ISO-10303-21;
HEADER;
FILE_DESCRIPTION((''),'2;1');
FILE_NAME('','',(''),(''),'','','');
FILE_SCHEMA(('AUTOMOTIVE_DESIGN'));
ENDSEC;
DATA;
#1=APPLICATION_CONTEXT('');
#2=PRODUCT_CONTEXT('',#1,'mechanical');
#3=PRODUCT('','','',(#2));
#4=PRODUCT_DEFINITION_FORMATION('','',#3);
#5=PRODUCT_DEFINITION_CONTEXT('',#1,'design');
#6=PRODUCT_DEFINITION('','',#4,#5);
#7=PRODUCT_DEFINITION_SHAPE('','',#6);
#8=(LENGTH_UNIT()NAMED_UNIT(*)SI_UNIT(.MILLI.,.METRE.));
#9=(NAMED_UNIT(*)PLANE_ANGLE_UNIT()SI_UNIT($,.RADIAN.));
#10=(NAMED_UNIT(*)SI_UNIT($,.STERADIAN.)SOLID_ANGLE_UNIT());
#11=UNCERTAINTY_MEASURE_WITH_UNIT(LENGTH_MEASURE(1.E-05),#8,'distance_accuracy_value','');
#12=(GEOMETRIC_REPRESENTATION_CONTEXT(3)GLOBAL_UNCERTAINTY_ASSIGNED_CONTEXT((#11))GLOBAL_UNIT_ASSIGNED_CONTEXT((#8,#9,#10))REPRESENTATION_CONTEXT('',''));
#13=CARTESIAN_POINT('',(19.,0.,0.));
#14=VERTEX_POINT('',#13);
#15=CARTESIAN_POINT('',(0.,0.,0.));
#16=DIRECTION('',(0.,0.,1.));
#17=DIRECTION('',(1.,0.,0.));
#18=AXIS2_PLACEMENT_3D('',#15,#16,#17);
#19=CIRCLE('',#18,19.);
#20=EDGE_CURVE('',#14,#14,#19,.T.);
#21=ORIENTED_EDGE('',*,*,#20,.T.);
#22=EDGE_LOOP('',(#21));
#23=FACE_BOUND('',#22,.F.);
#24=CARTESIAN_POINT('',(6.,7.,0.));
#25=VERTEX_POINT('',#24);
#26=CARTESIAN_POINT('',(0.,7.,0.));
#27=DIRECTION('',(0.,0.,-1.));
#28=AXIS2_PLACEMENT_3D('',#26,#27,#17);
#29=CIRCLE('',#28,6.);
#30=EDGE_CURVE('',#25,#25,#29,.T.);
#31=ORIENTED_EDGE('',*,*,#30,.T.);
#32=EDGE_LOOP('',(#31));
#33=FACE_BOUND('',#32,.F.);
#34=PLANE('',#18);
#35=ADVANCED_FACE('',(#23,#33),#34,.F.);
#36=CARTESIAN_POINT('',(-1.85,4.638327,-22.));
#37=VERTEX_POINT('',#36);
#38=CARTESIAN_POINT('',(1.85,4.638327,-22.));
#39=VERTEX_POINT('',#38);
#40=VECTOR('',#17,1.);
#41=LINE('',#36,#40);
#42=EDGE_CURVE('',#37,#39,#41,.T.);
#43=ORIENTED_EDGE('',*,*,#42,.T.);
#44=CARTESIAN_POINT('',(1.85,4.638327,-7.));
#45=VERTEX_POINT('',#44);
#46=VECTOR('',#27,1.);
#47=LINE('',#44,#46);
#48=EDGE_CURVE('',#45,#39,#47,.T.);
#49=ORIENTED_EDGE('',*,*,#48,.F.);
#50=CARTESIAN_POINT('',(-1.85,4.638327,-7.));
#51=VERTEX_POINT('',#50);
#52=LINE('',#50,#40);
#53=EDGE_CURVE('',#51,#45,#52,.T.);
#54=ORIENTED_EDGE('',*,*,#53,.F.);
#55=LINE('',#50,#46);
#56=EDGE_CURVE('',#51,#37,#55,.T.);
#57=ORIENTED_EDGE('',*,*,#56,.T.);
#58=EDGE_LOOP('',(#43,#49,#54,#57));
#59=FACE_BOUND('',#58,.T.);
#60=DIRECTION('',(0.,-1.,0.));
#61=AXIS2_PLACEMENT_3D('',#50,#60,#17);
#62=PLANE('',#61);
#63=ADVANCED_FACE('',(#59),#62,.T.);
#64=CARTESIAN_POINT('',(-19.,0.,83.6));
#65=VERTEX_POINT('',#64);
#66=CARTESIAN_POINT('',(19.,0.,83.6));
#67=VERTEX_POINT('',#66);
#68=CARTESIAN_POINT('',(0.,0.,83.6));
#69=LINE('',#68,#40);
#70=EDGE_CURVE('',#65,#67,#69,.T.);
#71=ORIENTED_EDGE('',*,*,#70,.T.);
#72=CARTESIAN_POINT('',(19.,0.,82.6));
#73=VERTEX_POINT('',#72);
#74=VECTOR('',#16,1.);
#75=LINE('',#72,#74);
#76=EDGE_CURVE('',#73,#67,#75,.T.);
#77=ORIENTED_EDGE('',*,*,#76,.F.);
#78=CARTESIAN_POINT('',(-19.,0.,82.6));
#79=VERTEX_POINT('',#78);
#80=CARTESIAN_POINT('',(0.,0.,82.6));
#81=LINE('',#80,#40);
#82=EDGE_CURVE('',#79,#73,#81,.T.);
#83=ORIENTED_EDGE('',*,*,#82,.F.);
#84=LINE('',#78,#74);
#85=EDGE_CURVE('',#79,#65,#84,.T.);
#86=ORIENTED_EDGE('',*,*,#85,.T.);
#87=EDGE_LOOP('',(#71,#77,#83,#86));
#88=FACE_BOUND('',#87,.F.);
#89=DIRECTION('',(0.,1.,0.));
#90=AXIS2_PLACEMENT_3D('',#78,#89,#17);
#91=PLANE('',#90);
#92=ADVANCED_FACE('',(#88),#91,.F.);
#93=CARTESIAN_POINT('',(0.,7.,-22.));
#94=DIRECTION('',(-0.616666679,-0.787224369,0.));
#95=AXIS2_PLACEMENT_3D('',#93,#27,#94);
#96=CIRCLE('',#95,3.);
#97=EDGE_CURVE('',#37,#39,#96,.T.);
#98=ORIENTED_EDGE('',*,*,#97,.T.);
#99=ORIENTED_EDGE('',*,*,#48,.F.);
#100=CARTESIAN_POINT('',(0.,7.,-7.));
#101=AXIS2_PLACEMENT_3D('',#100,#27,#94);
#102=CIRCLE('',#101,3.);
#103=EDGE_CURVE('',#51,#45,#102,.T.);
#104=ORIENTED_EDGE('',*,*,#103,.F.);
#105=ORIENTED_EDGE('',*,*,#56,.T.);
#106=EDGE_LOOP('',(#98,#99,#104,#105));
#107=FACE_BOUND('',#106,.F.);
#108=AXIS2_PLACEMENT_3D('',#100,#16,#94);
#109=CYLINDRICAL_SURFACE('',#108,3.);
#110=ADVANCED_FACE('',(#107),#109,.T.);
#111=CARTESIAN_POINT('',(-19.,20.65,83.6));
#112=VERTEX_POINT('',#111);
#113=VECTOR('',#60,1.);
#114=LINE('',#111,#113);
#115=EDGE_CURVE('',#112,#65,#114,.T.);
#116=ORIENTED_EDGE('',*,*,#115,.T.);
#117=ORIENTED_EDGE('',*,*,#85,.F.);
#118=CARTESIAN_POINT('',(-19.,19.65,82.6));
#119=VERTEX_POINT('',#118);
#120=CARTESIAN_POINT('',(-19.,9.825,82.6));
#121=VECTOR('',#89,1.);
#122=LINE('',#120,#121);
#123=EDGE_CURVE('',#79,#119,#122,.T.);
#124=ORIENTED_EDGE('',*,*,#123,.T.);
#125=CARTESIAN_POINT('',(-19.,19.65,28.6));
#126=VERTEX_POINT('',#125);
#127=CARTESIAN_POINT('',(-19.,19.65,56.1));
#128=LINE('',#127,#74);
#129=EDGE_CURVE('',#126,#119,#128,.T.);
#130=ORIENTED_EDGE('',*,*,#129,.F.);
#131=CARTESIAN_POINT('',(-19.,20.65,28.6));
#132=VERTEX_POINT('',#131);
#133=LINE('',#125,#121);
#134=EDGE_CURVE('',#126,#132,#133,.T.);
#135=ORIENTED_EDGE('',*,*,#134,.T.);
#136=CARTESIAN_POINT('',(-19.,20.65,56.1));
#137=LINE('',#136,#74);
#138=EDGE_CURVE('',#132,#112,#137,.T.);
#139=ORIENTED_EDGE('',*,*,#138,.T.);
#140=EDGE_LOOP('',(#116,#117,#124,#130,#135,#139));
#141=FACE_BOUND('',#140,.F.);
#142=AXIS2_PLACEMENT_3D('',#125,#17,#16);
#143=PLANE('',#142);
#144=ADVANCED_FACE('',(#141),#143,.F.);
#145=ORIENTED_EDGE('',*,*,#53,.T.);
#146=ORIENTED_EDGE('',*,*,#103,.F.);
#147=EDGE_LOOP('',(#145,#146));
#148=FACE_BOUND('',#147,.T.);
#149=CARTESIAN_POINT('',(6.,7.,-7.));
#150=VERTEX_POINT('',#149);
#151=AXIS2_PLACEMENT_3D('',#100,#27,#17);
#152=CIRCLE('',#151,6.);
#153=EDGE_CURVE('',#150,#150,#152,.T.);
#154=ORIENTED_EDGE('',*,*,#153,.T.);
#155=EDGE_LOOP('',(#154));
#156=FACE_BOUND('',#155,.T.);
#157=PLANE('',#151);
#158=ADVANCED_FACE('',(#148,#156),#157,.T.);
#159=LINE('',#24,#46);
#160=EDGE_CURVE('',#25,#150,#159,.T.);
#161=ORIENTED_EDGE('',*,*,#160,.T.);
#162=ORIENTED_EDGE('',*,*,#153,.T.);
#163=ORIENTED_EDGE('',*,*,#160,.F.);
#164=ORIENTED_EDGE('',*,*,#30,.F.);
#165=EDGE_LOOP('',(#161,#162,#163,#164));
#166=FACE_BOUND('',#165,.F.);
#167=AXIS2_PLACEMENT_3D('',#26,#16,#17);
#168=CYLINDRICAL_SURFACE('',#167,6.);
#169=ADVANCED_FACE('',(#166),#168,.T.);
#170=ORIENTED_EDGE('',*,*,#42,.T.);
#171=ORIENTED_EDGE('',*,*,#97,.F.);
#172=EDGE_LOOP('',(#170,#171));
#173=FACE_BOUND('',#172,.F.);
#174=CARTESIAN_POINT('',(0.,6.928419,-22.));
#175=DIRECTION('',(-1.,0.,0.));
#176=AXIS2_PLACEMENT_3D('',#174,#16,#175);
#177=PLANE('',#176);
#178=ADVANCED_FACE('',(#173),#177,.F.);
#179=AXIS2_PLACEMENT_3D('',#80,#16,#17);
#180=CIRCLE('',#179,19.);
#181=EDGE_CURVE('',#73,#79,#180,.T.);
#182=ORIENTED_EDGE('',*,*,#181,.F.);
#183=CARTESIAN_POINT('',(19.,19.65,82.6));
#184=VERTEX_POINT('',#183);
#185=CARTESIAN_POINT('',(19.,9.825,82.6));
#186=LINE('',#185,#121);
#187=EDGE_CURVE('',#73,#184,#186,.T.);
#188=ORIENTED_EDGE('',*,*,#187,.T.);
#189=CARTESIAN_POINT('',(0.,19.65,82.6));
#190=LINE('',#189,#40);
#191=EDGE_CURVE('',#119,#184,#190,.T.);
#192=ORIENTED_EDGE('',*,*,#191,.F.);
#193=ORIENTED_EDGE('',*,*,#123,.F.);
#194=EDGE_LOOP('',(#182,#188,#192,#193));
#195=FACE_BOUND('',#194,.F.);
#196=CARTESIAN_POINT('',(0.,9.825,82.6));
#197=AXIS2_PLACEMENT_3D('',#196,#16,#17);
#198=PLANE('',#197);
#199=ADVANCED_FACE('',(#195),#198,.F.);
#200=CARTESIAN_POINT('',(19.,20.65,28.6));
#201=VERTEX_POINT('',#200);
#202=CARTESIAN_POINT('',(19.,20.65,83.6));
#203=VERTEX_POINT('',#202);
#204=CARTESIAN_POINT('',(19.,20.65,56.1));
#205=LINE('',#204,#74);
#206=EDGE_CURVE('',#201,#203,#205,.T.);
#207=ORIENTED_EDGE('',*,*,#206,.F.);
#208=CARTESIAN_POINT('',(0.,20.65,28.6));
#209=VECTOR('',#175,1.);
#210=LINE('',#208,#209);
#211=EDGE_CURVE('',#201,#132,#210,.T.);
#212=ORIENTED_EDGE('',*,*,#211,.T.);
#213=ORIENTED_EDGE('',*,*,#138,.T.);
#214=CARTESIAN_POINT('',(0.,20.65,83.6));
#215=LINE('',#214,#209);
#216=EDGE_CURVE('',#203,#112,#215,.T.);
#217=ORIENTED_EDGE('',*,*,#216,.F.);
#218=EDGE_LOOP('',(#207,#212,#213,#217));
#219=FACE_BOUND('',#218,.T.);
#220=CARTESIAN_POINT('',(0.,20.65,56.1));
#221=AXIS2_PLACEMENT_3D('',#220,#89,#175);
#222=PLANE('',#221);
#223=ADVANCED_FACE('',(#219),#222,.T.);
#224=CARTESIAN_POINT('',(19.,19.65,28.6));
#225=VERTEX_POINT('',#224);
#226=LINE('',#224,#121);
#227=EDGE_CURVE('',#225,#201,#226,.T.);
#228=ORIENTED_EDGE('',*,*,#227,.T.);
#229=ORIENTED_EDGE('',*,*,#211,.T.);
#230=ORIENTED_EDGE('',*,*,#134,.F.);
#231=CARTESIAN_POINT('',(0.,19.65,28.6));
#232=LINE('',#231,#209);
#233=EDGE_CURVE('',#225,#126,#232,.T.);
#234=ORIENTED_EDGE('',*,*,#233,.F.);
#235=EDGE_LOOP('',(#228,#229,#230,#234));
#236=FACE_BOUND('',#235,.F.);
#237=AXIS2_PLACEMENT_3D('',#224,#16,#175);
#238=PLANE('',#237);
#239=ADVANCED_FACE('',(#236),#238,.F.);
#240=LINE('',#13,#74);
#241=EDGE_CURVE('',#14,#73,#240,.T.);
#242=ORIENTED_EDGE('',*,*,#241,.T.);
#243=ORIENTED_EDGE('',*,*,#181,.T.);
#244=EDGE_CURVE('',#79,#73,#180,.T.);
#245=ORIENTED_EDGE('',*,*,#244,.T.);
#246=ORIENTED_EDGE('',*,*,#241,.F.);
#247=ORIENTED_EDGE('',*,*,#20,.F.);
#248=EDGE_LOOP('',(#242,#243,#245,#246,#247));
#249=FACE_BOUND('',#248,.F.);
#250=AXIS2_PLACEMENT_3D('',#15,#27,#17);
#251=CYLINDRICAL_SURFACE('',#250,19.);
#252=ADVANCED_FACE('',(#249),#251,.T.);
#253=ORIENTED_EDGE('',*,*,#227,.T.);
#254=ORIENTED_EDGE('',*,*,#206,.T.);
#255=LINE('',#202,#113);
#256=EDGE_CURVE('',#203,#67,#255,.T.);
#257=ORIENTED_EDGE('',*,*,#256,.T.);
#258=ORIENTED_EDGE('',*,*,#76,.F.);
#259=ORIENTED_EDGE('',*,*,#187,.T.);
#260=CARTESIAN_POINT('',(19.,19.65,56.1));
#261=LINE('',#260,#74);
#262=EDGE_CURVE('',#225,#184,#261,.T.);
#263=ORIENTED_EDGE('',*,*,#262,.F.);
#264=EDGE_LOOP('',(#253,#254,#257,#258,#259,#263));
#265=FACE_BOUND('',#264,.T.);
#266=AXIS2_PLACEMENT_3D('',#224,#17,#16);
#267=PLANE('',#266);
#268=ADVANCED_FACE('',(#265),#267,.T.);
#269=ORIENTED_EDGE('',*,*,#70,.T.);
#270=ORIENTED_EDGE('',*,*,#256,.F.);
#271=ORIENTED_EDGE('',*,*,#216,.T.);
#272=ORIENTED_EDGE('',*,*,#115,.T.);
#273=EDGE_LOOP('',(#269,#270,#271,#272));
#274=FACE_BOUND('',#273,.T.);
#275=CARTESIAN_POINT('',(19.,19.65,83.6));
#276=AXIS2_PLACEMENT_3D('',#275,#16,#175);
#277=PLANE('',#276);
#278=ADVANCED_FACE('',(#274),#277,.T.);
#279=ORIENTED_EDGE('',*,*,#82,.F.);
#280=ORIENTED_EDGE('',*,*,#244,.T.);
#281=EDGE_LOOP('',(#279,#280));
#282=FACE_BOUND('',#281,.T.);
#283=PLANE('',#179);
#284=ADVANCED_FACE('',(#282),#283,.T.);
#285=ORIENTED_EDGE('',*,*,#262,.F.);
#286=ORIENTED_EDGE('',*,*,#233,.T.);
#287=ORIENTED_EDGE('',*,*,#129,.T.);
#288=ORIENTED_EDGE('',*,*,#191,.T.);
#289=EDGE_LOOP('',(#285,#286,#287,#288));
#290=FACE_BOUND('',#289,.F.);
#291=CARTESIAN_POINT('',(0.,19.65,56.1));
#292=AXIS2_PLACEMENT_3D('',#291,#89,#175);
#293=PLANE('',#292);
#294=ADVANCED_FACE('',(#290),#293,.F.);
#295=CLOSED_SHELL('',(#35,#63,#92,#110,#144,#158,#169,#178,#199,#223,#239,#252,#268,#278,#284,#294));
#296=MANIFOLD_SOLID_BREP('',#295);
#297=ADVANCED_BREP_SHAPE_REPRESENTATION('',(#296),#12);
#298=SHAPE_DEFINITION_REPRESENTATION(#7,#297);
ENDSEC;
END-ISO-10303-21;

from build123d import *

# Parameters (mm, degrees)
SKETCH_R     = 19
PAD_DEPTH    = 82.6
SKETCH001_R  = 6
PAD001_DEPTH = 7
PAD002_DEPTH = 15
SKETCH003_W  = 38
SKETCH003_H  = 19.65
PAD003_DEPTH = 1
SKETCH005_W  = 38
SKETCH005_H  = 55
PAD004_DEPTH = 1


with BuildPart() as part:
    # Sketch → Pad (new body)
    with BuildSketch(Plane.XY):
        Circle(SKETCH_R)
    extrude(amount=PAD_DEPTH)

    # Sketch001 → Pad001 (new body)
    with BuildSketch(Plane(origin=(0, 0, 0), x_dir=(1, 0, 0), z_dir=(0, 0, -1))):
        with Locations((0, -7)):
            Circle(SKETCH001_R)
    extrude(amount=PAD001_DEPTH)

    # Sketch002 → Pad002 (new body)
    with BuildSketch(Plane(origin=(0, 0, -7), x_dir=(1, 0, 0), z_dir=(0, 0, -1))):
        with BuildLine():
            Line((-1.85, -4.638327), (1.85, -4.638327))
            ThreePointArc((-1.85, -4.638327), (0, -10), (1.85, -4.638327))
        make_face()
    extrude(amount=PAD002_DEPTH)

    # Sketch003 → Pad003 (new body)
    with BuildSketch(Plane.XY.offset(82.6)):
        with Locations((0, 9.825)):
            Rectangle(SKETCH003_W, SKETCH003_H)
    extrude(amount=PAD003_DEPTH)

    # Sketch005 → Pad004 (new body)
    with BuildSketch(Plane(origin=(0, 19.65, 0), x_dir=(-1, 0, 0), z_dir=(0, 1, 0))):
        with Locations((0, 56.1)):
            Rectangle(SKETCH005_W, SKETCH005_H)
    extrude(amount=PAD004_DEPTH)


solid = part.part
